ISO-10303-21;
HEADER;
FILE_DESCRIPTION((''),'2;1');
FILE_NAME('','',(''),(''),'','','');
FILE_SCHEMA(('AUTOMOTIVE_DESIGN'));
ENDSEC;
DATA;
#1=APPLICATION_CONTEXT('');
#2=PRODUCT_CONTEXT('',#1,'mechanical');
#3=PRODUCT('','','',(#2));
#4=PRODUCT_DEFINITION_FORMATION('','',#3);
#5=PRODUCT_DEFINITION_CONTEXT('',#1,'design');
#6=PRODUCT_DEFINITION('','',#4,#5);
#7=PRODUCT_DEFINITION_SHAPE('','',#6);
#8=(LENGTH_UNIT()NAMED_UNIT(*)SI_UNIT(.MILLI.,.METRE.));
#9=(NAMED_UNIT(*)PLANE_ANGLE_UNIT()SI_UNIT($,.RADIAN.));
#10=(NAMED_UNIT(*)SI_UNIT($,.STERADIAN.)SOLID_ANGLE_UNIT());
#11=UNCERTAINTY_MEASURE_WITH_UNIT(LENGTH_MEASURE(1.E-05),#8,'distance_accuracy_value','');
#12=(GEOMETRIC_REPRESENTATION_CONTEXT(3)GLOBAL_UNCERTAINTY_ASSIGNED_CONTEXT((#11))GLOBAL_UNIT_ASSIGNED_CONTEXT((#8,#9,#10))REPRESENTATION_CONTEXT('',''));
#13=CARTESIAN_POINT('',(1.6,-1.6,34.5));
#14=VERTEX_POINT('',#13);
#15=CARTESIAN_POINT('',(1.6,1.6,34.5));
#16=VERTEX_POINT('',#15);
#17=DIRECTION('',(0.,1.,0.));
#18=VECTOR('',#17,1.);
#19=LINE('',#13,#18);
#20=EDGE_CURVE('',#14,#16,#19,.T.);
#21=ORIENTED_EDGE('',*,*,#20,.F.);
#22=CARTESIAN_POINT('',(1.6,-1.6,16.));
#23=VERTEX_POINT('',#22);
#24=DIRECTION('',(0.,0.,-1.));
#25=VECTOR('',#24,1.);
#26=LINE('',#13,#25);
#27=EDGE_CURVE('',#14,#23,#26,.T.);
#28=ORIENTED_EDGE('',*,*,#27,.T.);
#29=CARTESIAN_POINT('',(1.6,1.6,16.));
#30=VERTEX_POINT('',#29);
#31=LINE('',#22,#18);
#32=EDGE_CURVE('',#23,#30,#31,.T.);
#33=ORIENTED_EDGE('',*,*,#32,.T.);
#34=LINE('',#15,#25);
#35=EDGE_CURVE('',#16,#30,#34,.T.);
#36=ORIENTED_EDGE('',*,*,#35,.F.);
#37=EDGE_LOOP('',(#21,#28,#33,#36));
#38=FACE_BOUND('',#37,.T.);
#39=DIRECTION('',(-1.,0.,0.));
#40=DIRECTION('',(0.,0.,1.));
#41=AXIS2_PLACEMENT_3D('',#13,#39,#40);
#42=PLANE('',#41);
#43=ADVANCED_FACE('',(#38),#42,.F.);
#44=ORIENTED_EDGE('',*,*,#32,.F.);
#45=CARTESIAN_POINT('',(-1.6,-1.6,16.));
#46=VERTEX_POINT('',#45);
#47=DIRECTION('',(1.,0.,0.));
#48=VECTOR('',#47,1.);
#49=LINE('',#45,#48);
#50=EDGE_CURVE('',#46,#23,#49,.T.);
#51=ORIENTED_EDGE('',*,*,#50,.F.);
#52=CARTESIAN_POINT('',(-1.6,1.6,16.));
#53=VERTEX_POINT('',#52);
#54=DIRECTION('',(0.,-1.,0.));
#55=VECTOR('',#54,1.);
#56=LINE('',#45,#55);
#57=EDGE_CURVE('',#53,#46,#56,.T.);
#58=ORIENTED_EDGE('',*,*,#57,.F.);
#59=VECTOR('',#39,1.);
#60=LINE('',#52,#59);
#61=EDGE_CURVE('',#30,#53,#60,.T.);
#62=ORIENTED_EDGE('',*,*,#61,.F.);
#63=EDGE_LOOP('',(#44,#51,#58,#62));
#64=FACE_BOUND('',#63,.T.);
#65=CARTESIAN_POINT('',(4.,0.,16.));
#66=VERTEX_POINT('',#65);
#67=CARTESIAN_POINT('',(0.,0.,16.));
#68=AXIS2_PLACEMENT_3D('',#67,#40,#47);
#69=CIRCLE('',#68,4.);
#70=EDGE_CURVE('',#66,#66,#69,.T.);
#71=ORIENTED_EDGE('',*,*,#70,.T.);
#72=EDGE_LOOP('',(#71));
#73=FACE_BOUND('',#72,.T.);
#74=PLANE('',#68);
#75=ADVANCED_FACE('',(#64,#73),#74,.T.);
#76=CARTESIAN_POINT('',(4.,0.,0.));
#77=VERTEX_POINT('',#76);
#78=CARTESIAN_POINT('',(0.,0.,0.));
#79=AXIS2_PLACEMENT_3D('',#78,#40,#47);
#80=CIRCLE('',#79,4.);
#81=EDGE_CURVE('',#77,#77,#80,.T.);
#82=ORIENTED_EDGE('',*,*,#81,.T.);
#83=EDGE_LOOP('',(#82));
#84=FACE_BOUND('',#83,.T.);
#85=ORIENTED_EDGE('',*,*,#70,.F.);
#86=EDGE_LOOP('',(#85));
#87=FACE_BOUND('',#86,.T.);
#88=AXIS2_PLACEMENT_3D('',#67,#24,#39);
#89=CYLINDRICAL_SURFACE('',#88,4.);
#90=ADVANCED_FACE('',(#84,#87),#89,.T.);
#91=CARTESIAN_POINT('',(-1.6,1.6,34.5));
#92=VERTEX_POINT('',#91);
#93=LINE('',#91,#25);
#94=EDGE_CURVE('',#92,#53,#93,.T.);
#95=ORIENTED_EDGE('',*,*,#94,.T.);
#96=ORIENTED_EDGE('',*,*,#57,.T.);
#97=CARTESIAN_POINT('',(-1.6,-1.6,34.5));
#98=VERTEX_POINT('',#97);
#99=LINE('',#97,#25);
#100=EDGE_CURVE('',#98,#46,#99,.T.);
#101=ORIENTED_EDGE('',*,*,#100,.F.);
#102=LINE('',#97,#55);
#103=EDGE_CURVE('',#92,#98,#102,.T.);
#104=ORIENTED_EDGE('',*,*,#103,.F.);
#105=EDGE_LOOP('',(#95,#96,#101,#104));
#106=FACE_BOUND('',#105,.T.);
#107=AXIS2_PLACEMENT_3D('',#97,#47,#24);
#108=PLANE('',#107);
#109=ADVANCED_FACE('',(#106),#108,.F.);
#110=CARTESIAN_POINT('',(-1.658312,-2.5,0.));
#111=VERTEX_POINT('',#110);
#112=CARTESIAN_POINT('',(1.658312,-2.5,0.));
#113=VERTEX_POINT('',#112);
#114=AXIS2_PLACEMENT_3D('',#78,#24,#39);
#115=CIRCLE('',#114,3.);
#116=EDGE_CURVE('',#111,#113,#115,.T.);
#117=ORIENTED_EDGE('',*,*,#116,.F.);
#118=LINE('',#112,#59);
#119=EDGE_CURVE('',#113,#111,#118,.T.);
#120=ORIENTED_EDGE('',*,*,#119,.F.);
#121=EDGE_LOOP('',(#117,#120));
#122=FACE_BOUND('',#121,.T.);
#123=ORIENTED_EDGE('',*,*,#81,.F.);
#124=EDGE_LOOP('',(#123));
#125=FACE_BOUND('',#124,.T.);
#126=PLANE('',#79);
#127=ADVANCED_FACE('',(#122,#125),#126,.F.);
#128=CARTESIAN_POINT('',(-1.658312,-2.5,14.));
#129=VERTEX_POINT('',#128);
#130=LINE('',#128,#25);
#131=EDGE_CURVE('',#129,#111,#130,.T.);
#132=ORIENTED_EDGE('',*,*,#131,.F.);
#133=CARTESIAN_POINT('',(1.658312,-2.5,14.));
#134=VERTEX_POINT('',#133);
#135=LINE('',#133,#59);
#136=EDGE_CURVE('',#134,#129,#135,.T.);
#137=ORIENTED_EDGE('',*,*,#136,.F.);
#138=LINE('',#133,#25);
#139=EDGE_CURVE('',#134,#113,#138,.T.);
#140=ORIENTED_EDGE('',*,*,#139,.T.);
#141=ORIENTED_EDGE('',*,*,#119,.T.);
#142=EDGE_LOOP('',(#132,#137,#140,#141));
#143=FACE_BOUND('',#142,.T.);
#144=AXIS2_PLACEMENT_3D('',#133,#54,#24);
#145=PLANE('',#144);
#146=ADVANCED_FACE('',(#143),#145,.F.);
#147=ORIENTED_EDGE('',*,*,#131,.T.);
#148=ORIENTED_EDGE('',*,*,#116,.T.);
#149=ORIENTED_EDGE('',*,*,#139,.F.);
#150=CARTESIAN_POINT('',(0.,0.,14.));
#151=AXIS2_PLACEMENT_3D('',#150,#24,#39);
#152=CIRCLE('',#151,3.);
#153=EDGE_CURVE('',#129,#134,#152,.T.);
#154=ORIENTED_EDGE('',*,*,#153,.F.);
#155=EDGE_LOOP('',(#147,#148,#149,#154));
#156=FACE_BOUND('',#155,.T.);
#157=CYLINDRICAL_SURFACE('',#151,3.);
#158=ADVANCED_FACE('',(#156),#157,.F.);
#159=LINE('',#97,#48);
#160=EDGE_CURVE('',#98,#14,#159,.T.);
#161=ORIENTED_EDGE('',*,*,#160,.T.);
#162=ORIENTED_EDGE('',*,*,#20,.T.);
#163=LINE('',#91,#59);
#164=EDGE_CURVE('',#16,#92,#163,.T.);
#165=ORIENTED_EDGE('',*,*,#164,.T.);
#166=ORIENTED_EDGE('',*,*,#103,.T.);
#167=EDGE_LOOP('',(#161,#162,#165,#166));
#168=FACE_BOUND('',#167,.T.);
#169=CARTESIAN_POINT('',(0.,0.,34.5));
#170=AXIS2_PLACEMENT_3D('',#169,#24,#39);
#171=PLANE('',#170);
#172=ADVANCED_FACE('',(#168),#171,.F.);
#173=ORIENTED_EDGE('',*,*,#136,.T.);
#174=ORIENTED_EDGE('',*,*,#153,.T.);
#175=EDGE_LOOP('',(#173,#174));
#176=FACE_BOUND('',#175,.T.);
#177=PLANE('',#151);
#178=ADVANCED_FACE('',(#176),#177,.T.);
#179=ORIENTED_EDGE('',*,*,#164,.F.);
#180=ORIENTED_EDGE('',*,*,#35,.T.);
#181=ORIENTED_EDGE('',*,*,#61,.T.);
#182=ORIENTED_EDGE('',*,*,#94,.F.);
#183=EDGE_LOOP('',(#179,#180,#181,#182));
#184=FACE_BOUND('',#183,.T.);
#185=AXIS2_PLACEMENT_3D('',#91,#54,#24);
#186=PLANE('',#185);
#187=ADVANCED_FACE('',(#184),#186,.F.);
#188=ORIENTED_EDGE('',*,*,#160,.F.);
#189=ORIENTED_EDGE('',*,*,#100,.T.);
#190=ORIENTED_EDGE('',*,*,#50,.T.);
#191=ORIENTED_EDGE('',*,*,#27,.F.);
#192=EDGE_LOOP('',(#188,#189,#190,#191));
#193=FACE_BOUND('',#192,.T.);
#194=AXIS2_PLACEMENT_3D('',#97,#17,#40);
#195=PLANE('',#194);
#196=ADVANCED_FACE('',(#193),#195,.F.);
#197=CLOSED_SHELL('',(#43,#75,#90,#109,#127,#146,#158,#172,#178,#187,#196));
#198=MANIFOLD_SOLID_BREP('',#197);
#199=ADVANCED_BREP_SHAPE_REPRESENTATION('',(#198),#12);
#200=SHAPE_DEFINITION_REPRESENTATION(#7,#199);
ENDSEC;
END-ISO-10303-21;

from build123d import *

# Parameters (mm, degrees)
SKETCH1_R           = 4
BOSS_EXTRUDE1_DEPTH = 16
CUT_EXTRUDE3_DEPTH  = 14
SKETCH6_W           = 3.2
SKETCH6_H           = 3.2
BOSS_EXTRUDE2_DEPTH = 18.5


with BuildPart() as part:
    # Sketch1 → Boss-Extrude1 (new body)
    with BuildSketch(Plane.XY):
        Circle(SKETCH1_R)
    extrude(amount=BOSS_EXTRUDE1_DEPTH)

    # Sketch3 → Cut-Extrude3 (cut)
    with BuildSketch(Plane(origin=(0, 0, 0), x_dir=(-1, 0, 0), z_dir=(0, 0, -1))):
        with BuildLine():
            Line((-1.658312395, -2.5), (1.658312395, -2.5))
            ThreePointArc((1.658312395, -2.5), (0, 3), (-1.658312395, -2.5))
        make_face()
    extrude(amount=-CUT_EXTRUDE3_DEPTH, mode=Mode.SUBTRACT)

    # Sketch6 → Boss-Extrude2 (add)
    with BuildSketch(Plane.XY.offset(16)):
        Rectangle(SKETCH6_W, SKETCH6_H)
    extrude(amount=BOSS_EXTRUDE2_DEPTH)


solid = part.part
